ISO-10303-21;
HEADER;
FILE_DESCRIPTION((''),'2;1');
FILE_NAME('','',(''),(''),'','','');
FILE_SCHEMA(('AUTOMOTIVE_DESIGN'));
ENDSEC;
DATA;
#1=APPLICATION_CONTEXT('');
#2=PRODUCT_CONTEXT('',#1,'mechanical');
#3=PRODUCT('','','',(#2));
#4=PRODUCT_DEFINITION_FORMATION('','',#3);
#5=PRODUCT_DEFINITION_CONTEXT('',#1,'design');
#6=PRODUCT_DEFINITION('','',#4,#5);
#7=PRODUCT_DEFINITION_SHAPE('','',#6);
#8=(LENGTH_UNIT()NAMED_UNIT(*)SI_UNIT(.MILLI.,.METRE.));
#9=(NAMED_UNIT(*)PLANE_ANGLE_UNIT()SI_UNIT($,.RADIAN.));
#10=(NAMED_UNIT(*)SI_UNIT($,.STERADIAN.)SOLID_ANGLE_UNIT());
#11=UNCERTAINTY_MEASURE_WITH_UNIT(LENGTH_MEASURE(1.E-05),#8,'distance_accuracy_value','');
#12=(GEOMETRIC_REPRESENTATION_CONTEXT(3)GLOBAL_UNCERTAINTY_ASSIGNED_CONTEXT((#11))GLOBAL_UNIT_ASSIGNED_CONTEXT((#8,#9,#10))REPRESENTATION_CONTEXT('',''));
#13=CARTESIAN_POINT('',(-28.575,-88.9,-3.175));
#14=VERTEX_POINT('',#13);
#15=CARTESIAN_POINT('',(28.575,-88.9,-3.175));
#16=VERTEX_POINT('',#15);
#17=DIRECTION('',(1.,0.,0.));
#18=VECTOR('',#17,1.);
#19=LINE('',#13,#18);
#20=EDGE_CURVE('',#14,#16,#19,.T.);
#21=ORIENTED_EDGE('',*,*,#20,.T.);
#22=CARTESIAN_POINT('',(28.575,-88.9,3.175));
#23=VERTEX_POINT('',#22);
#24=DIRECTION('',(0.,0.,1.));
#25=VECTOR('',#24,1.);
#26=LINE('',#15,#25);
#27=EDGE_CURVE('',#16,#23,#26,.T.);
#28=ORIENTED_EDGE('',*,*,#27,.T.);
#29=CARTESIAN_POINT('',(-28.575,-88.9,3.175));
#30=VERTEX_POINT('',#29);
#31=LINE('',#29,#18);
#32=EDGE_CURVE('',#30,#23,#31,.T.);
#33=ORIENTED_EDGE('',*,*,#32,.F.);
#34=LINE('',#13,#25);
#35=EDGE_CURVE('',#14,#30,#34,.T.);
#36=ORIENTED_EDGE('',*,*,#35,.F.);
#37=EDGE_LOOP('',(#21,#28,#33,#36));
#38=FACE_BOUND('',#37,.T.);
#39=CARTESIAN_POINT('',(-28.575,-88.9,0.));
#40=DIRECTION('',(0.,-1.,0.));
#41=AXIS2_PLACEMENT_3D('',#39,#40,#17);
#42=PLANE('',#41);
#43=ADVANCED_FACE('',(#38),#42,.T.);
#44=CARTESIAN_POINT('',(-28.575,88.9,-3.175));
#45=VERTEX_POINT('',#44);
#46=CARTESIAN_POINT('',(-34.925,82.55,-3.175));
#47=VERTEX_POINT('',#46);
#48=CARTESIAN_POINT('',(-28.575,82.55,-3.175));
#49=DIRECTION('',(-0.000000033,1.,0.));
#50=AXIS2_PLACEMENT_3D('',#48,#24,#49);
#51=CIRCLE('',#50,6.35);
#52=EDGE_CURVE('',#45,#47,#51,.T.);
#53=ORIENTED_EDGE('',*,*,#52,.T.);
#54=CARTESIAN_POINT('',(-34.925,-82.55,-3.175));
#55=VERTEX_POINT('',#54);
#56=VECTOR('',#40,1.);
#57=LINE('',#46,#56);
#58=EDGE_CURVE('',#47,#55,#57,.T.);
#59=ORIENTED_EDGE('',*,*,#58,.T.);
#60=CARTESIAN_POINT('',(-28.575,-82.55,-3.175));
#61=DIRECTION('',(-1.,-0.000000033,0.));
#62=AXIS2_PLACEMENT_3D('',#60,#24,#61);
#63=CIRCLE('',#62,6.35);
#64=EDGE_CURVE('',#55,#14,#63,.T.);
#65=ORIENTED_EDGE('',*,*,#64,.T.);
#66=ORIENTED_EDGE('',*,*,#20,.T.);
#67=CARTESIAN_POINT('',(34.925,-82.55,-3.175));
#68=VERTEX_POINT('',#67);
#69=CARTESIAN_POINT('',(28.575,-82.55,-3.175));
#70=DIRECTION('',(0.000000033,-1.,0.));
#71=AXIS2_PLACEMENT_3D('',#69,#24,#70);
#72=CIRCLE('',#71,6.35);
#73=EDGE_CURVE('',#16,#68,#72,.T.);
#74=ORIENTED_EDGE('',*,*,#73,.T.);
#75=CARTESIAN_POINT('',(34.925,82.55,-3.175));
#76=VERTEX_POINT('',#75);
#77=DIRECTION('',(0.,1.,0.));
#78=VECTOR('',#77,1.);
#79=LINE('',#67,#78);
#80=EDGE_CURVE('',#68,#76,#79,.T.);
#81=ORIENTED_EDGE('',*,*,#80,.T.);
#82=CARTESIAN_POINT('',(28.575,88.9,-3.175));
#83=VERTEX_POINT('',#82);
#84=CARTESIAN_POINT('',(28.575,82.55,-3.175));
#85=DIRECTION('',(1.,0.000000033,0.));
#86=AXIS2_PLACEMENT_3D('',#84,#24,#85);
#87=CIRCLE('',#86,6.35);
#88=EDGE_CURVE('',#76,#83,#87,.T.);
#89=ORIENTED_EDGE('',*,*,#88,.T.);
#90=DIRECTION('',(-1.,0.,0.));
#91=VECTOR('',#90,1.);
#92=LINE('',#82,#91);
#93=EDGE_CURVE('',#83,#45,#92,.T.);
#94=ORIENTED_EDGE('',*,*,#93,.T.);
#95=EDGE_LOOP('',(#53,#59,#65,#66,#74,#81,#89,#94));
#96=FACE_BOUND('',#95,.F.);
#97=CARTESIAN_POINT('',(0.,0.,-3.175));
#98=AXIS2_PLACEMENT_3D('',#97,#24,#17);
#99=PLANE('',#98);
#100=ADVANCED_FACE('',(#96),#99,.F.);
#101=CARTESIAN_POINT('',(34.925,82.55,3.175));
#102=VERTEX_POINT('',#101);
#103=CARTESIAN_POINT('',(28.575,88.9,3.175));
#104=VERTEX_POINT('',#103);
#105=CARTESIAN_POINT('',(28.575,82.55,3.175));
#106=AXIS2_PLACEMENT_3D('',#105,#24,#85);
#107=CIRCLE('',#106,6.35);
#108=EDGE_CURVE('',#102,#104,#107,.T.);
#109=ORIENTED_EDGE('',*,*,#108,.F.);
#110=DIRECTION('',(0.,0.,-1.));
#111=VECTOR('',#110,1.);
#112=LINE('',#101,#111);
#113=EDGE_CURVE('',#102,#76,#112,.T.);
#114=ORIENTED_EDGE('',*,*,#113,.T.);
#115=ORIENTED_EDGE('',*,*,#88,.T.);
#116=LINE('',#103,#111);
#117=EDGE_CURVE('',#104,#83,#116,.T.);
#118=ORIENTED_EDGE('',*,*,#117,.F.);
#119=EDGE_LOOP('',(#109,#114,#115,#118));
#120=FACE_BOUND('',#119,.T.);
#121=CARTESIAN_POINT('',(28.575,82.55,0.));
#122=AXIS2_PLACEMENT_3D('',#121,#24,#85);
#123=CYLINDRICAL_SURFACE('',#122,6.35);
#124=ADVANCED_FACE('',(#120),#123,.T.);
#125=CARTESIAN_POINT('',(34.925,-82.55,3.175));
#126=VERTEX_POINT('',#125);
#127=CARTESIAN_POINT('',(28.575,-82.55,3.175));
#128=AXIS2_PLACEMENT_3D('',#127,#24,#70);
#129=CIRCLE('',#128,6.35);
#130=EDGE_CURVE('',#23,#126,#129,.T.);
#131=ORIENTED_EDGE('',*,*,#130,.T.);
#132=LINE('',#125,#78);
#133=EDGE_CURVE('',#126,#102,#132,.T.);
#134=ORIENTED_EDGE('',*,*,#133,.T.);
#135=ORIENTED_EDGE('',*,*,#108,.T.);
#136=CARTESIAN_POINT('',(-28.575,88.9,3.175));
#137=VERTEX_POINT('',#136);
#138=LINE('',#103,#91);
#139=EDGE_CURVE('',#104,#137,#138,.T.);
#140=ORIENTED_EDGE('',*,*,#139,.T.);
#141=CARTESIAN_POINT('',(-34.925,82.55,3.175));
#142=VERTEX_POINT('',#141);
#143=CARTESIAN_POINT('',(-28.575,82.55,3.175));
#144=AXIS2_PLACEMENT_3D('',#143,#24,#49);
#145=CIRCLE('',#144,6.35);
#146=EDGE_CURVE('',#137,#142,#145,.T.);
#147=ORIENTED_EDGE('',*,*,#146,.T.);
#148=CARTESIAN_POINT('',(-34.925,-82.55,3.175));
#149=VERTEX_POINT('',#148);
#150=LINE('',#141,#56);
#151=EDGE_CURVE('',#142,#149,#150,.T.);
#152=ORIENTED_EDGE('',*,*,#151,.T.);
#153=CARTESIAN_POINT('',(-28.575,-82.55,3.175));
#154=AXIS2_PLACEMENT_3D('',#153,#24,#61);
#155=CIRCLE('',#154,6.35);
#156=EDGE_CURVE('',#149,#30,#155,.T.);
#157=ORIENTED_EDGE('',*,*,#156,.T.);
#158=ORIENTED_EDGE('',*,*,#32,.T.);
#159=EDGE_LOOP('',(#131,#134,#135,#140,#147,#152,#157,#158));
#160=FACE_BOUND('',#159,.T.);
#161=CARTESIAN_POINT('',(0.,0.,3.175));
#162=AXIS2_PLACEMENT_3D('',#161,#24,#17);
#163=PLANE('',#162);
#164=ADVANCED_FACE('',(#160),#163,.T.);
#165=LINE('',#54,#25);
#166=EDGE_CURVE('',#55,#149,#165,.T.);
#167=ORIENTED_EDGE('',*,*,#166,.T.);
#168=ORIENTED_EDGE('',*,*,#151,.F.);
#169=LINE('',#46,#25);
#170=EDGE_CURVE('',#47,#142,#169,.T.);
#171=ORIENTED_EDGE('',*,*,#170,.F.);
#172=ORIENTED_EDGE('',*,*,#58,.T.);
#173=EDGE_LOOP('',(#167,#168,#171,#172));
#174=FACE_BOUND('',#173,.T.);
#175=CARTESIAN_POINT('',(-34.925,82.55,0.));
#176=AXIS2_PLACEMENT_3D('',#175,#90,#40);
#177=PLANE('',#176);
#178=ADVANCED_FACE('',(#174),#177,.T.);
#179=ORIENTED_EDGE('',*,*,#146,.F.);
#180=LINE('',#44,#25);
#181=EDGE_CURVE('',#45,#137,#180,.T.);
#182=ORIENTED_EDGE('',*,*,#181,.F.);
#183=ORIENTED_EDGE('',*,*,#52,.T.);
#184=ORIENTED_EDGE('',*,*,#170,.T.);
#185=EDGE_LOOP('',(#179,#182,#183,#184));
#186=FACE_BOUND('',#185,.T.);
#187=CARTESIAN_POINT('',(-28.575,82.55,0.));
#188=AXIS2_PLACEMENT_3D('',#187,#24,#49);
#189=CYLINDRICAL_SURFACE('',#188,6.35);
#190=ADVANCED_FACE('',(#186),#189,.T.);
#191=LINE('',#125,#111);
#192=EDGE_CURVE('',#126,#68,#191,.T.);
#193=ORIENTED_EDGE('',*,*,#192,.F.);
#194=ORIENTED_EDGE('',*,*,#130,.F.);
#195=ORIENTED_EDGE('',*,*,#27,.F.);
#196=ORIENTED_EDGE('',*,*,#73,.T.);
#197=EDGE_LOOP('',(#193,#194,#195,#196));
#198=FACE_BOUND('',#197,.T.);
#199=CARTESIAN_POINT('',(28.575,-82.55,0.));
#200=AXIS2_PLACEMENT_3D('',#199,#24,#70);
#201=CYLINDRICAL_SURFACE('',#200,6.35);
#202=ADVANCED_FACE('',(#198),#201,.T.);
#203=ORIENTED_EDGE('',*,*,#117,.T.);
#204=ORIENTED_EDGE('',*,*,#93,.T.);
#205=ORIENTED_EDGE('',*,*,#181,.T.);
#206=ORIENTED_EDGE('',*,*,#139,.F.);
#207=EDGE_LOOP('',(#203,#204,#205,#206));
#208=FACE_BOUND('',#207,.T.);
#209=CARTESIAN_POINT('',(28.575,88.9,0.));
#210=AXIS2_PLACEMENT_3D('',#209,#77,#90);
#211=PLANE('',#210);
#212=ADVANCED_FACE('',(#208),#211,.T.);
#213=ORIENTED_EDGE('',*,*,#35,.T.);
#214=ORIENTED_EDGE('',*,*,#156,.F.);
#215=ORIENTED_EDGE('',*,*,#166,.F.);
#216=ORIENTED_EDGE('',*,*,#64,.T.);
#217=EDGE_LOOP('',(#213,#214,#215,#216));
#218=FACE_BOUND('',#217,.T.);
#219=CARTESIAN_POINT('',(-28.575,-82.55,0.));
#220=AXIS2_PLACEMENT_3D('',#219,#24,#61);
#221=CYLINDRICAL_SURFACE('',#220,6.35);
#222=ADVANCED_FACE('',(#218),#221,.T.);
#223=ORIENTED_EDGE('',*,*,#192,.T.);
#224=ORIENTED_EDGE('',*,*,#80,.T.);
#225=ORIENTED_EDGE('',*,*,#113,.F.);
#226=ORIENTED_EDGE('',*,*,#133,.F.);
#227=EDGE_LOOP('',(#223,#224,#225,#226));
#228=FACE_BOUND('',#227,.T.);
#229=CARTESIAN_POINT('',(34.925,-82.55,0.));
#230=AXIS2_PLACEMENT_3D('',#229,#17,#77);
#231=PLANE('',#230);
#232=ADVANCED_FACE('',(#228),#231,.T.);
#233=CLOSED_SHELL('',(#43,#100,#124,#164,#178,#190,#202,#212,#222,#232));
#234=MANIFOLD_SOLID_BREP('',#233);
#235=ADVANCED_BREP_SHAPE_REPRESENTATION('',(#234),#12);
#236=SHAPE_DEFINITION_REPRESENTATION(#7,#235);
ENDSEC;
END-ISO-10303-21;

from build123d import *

# Parameters (mm, degrees)
F1_DEPTH = 3.175


with BuildPart() as f1:
    # F0 (on Top) → F1 (new body, symmetric)
    with BuildSketch(Plane.XY):
        with BuildLine():
            Line((28.575, 88.9), (-28.575, 88.9))
            ThreePointArc((-28.575, 88.9), (-33.065128, 87.040128), (-34.925, 82.55))
            Line((-34.925, 82.55), (-34.925, -82.55))
            ThreePointArc((-34.925, -82.55), (-33.065128, -87.040128), (-28.575, -88.9))
            Line((-28.575, -88.9), (28.575, -88.9))
            ThreePointArc((28.575, -88.9), (33.065128, -87.040128), (34.925, -82.55))
            Line((34.925, -82.55), (34.925, 82.55))
            ThreePointArc((34.925, 82.55), (33.065128, 87.040128), (28.575, 88.9))
        make_face()
    extrude(amount=F1_DEPTH, both=True)


solid = f1.part
